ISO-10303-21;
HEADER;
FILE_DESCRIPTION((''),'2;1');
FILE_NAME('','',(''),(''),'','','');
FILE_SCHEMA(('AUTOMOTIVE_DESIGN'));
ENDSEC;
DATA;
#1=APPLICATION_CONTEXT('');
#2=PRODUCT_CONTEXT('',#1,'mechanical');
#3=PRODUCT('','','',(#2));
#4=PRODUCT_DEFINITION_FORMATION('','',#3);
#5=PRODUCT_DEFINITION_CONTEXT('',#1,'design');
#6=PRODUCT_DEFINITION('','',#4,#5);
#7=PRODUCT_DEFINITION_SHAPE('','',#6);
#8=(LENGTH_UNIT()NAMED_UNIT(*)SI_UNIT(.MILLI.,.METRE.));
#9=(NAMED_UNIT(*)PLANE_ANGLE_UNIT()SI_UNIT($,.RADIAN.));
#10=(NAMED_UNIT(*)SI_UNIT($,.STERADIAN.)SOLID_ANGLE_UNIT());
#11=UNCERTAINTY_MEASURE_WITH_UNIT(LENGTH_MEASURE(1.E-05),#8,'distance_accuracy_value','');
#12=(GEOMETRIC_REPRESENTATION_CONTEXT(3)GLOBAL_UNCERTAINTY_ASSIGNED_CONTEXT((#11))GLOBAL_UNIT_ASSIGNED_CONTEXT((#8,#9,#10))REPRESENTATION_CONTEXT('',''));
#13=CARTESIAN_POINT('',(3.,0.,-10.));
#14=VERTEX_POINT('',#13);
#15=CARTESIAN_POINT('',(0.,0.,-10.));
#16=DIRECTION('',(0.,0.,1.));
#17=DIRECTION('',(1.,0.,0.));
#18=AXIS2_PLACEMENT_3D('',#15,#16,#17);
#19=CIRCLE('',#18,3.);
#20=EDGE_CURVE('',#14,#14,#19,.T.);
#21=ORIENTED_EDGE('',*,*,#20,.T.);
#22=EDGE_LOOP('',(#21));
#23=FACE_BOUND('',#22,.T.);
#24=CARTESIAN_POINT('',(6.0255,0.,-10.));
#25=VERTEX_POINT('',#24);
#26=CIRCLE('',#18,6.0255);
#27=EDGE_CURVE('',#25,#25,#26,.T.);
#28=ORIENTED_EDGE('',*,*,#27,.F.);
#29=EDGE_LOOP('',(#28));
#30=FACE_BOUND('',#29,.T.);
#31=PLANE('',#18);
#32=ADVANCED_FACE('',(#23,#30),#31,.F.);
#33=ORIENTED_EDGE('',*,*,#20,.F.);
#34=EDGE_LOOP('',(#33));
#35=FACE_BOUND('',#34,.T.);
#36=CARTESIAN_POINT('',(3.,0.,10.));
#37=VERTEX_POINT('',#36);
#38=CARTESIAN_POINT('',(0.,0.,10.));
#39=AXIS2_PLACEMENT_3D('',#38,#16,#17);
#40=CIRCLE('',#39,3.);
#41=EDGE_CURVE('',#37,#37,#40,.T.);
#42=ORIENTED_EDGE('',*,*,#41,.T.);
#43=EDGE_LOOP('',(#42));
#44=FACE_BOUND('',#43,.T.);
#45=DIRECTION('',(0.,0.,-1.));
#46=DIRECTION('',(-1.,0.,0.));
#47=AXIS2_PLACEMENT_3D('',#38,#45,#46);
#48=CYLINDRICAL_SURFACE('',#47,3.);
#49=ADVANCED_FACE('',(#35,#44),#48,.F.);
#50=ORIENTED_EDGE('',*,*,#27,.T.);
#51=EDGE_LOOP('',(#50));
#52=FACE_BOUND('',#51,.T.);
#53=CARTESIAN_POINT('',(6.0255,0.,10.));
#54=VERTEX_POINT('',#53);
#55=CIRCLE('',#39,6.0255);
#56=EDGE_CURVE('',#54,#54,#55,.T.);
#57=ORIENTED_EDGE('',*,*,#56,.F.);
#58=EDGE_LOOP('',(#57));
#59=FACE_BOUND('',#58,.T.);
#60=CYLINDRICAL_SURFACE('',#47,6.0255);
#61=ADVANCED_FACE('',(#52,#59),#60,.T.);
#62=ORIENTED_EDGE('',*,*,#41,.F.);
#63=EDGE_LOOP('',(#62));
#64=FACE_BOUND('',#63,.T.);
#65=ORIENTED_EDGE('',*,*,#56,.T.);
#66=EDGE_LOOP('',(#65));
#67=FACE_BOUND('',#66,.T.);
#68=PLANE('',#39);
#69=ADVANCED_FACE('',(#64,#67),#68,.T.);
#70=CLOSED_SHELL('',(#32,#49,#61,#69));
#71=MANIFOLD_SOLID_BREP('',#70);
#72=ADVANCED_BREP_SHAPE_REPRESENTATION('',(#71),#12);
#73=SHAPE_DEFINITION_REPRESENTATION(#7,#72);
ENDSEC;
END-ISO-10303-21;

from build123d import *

# Parameters (mm, degrees)
SKETCH3_R                = 6.0255
SKETCH3_R_2              = 3
BOSS_EXTRUDE1_DEPTH      = 10
BOSS_EXTRUDE1_DEPTH_BACK = 10


with BuildPart() as part:
    # Sketch3 → Boss-Extrude1 (new body, two sides)
    with BuildSketch(Plane.XY) as boss_extrude1_sk:
        Circle(SKETCH3_R)
        Circle(SKETCH3_R_2, mode=Mode.SUBTRACT)
    extrude(amount=BOSS_EXTRUDE1_DEPTH)
    extrude(boss_extrude1_sk.sketch, amount=-BOSS_EXTRUDE1_DEPTH_BACK)


solid = part.part
